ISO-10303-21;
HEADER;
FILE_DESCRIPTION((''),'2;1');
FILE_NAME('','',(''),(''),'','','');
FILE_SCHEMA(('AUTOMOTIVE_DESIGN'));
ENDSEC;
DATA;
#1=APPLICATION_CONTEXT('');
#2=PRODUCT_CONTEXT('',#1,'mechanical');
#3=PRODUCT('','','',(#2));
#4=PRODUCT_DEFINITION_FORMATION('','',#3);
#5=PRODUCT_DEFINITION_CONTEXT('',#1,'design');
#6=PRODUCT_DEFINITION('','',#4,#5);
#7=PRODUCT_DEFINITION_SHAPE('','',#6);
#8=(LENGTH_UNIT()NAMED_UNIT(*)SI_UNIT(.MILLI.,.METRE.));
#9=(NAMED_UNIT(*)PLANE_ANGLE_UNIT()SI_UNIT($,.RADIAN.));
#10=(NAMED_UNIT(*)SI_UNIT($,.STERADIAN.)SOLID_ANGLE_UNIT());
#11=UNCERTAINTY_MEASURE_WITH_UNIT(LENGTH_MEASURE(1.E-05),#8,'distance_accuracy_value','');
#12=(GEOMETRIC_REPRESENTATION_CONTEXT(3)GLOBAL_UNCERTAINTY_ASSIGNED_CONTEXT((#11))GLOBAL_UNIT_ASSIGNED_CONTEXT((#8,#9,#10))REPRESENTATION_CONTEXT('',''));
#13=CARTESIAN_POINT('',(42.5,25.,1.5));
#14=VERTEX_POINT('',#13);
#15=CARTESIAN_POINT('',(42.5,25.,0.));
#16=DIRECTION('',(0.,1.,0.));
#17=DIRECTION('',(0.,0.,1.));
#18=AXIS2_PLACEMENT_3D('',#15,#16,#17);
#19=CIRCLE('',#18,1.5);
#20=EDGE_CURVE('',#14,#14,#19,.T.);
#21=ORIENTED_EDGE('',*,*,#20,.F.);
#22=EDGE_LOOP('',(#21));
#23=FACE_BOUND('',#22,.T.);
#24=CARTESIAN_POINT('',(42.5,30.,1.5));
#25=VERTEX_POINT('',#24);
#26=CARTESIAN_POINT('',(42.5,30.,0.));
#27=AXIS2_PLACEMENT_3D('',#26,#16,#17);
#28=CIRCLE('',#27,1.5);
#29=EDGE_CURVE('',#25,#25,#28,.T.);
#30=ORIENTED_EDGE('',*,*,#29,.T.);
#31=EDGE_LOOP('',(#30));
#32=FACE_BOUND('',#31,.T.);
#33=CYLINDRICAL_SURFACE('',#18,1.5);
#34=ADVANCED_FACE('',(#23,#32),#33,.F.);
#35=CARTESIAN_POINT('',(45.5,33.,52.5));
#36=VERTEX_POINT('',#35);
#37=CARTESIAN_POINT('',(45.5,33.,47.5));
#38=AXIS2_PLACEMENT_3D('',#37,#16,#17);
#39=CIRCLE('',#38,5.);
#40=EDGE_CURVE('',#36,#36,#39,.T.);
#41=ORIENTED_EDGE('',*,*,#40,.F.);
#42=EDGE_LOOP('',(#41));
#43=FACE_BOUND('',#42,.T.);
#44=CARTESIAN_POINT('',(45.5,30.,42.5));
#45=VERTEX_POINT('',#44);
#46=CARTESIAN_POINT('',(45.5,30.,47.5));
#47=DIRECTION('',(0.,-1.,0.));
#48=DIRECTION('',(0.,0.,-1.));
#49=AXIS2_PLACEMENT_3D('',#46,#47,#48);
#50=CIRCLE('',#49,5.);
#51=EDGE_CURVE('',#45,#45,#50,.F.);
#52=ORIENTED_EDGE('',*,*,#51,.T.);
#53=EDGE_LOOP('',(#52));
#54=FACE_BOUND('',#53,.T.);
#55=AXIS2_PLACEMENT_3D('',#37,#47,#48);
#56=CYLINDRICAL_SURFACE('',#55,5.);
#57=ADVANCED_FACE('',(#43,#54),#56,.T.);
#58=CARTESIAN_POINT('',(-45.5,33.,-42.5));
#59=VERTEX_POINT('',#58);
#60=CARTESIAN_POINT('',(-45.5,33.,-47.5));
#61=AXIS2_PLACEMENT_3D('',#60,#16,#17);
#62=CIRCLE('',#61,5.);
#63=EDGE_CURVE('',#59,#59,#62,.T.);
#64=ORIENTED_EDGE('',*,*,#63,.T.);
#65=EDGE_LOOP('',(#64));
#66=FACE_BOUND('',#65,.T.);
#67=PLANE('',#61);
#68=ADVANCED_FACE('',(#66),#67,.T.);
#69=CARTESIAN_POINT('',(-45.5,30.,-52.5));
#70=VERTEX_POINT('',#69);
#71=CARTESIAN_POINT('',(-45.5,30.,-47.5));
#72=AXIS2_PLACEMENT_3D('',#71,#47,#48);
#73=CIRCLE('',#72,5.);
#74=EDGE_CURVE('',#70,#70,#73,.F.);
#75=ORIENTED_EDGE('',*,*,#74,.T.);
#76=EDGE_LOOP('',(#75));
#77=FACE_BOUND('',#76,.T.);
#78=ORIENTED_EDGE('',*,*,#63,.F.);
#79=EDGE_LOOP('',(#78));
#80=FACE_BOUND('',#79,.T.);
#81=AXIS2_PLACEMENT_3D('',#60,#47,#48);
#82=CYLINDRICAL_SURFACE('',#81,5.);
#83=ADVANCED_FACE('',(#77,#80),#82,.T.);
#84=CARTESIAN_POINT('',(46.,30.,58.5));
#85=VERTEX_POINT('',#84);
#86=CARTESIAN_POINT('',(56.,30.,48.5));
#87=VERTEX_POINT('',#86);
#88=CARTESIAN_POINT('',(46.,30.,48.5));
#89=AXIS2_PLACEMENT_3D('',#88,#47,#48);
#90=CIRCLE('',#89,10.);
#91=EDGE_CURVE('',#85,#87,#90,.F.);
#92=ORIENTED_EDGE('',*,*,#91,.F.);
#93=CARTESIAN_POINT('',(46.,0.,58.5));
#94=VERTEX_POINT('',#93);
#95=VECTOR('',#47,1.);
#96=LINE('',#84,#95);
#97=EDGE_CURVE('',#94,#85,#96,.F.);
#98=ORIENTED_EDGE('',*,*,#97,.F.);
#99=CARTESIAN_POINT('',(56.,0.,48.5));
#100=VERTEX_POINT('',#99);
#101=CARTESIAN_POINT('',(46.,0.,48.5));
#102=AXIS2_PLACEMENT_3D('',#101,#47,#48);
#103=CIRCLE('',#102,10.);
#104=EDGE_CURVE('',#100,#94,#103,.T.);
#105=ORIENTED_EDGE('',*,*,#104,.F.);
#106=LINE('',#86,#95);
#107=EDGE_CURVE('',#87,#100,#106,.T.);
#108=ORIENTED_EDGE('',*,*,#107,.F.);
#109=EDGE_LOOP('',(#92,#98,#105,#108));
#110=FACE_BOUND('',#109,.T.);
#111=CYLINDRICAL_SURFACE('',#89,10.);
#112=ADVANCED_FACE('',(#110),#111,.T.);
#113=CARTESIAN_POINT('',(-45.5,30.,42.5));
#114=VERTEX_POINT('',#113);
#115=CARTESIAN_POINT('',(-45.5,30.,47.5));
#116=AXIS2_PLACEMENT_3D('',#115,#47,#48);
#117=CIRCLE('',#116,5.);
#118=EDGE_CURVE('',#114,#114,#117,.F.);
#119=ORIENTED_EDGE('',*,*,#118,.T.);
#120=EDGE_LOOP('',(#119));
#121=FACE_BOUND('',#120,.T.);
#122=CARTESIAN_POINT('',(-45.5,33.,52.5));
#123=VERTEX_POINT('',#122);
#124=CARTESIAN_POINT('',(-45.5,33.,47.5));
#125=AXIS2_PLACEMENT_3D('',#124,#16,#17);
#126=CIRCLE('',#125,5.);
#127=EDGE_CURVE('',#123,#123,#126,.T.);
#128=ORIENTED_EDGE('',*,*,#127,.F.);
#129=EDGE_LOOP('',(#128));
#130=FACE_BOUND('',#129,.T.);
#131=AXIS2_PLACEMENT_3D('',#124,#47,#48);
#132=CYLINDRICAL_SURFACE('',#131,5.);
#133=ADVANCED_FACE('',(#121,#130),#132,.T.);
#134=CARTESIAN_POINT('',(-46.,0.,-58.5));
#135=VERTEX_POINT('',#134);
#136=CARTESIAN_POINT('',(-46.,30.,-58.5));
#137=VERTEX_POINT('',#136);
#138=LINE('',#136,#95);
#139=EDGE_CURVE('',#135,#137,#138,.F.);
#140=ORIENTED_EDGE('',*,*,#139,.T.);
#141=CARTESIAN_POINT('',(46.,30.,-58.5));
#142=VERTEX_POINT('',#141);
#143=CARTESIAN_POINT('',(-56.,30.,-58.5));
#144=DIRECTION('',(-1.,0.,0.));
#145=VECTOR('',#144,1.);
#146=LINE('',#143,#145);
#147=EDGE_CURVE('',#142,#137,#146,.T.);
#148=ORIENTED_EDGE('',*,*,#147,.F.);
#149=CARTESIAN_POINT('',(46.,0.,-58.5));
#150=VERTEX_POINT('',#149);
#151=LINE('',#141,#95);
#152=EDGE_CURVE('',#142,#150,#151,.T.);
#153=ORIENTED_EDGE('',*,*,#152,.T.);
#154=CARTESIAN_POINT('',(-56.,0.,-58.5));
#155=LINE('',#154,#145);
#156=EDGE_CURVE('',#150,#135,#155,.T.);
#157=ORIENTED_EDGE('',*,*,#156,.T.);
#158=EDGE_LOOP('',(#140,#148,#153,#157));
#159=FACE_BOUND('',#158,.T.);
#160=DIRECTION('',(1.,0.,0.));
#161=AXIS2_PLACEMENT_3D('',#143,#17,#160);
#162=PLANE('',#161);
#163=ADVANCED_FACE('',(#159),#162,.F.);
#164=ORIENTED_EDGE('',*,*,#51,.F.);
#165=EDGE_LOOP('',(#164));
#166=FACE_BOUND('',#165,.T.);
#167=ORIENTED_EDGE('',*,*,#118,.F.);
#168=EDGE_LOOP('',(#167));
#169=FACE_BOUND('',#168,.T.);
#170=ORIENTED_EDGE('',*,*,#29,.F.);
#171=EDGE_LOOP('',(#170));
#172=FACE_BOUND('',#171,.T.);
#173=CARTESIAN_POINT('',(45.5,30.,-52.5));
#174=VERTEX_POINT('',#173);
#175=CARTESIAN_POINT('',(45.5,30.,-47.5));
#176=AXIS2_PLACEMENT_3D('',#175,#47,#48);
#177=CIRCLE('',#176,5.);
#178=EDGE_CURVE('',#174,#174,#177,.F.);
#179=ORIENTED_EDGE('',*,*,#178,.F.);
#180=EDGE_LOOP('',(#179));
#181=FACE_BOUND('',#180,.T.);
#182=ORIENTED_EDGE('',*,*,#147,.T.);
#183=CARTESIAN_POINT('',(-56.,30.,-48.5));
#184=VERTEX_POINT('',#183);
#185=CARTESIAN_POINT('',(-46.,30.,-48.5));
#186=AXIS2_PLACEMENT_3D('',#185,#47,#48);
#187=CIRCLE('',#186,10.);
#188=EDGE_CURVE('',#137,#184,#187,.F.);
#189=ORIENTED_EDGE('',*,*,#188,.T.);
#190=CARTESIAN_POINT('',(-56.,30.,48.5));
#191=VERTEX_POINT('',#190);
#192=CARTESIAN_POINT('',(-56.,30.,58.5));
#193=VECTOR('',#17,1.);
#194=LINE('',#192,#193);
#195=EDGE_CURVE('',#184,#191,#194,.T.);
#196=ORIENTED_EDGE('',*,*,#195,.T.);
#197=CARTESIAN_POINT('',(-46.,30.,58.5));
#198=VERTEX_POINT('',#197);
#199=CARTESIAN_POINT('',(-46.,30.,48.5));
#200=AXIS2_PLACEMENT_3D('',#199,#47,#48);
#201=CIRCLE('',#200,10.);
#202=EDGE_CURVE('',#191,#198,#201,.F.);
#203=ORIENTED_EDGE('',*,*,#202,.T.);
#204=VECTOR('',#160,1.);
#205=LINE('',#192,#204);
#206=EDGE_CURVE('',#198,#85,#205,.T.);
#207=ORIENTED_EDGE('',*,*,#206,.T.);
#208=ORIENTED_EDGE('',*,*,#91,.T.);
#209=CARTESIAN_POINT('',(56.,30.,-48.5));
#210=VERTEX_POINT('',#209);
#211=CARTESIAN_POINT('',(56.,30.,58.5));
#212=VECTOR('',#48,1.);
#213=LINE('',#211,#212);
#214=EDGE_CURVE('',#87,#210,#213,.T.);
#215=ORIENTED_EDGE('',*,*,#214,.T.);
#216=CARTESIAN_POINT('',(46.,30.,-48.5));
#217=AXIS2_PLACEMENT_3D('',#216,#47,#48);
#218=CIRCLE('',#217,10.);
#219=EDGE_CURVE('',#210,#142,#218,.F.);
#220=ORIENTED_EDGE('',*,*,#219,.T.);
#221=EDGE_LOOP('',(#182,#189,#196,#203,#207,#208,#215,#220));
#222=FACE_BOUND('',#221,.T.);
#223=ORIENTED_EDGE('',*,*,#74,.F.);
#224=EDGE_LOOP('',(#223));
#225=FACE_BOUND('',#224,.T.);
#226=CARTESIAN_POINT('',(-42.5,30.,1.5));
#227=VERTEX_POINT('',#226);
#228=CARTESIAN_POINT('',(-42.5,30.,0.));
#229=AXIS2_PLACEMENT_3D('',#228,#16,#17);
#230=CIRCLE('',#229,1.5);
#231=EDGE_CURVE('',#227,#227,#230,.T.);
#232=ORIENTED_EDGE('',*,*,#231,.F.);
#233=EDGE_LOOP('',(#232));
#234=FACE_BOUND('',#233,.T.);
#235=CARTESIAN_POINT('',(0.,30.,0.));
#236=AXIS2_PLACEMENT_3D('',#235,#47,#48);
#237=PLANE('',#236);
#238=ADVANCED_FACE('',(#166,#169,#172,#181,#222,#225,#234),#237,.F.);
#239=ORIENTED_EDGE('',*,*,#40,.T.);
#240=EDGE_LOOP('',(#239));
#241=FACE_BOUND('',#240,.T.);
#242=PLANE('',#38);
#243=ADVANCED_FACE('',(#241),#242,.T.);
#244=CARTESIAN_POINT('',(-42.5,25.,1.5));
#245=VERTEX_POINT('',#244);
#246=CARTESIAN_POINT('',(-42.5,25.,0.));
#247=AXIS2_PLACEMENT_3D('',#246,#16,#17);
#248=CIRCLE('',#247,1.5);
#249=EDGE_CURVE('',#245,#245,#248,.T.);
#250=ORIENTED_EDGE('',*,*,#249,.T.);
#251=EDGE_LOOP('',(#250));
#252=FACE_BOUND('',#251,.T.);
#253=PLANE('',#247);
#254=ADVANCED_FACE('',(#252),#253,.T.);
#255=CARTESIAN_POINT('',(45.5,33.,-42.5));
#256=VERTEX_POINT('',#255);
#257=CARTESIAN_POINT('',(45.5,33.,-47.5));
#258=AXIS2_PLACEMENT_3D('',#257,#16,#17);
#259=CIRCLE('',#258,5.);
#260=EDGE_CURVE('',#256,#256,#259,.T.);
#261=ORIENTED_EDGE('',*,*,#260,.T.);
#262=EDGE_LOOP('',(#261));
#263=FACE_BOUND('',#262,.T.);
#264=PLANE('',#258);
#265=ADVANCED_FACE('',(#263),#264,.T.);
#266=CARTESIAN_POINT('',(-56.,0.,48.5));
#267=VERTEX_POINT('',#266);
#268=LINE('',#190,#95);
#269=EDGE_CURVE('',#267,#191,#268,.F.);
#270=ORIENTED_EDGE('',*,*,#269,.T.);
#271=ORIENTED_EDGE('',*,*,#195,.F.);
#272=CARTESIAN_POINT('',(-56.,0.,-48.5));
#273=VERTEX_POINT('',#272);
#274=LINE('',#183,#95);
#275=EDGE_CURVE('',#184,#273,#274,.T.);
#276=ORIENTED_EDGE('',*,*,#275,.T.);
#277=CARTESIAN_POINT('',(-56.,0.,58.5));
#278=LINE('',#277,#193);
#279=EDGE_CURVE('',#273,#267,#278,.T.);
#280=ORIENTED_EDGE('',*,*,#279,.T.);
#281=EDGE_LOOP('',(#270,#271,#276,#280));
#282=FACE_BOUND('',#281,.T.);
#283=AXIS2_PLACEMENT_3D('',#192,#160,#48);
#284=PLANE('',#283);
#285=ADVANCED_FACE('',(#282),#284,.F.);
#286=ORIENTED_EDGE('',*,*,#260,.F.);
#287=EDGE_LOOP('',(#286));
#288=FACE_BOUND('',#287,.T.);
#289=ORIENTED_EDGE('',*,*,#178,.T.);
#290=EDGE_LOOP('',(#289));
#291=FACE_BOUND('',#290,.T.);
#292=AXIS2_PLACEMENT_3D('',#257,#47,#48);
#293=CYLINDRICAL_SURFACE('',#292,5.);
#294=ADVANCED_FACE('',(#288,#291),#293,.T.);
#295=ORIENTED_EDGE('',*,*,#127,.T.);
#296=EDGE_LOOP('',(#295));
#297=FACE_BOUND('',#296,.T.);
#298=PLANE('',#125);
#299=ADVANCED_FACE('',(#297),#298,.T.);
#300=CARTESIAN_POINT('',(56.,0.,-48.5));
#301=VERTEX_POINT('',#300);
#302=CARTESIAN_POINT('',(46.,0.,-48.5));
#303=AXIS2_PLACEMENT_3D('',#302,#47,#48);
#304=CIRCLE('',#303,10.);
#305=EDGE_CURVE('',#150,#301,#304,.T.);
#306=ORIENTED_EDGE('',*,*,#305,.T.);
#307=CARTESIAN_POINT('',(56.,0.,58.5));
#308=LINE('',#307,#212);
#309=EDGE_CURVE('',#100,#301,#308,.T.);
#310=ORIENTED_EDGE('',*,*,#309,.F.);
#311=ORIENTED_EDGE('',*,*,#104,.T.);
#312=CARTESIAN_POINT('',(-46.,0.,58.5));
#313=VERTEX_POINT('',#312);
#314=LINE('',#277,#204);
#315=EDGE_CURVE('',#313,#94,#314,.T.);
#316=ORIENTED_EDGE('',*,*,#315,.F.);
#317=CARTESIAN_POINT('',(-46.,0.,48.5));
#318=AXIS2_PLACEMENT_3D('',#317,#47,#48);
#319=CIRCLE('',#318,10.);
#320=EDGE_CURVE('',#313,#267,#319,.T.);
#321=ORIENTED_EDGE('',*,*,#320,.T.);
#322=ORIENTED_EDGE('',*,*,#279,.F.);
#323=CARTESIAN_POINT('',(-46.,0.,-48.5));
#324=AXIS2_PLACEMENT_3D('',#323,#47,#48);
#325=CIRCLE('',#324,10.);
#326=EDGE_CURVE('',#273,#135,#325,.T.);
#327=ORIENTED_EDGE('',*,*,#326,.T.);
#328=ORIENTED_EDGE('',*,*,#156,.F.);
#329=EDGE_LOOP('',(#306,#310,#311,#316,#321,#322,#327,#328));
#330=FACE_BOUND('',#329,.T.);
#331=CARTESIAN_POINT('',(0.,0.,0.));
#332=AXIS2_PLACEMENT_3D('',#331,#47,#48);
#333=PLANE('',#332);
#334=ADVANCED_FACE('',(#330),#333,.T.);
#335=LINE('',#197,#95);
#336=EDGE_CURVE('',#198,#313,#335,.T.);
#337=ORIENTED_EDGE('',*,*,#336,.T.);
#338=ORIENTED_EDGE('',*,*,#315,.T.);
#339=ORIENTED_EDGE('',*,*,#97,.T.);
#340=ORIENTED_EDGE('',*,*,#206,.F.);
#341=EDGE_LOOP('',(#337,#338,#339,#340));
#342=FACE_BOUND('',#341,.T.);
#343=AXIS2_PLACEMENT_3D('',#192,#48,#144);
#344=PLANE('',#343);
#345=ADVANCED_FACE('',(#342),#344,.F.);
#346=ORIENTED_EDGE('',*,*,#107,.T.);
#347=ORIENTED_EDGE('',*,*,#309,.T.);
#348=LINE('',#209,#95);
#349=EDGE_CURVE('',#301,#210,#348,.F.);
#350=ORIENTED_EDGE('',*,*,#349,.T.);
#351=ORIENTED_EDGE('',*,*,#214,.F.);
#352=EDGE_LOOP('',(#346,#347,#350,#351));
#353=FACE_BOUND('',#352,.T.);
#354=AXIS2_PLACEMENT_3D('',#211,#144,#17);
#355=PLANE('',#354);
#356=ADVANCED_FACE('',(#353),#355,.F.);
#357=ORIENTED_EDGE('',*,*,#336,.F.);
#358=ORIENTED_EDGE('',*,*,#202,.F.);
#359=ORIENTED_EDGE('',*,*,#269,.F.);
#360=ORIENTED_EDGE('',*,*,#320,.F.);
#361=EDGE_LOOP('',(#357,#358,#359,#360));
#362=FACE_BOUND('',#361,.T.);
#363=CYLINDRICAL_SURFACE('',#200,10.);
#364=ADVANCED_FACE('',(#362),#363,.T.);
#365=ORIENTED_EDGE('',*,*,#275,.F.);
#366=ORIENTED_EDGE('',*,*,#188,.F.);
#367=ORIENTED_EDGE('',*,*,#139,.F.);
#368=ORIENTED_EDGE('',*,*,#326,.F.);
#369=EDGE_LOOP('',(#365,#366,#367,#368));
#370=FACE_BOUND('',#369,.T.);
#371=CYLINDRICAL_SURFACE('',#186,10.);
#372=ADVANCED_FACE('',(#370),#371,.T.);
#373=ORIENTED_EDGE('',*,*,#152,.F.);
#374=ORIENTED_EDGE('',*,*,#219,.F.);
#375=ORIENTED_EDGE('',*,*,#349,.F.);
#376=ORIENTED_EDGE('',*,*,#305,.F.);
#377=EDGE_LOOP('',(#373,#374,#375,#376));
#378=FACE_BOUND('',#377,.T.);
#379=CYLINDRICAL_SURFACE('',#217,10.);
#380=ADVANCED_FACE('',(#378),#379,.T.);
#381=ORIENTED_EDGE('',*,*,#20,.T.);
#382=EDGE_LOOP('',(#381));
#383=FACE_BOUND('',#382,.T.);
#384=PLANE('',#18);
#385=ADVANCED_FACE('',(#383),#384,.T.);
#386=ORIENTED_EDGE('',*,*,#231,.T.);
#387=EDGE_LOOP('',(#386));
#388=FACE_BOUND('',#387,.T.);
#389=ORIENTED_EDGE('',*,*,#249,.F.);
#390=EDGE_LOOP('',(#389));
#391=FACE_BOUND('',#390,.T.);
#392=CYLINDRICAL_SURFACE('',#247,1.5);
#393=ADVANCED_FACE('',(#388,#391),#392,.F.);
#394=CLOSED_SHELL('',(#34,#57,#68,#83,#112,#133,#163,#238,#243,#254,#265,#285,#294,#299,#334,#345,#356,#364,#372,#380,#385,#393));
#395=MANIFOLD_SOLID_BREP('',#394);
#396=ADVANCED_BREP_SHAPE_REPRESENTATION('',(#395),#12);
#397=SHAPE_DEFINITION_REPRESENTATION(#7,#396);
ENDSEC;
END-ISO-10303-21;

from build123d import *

# Parameters (mm, degrees)
SKETCH_1_W          = 112
SKETCH_1_H          = 117
EXTRUDE_1_DEPTH     = 30
FILLET_1_R          = 10
SKETCH_2_R          = 5
EXTRUDE_2_DEPTH     = 3
SKETCH_3_R          = 1.5
CUT_EXTRUDE_1_DEPTH = 5


with BuildPart() as part:
    # 草图1 → 凸台-拉伸1 (new body)
    with BuildSketch(Plane(origin=(0, 0, 0), x_dir=(1, 0, 0), z_dir=(0, 1, 0))):
        Rectangle(SKETCH_1_W, SKETCH_1_H)
    extrude(amount=EXTRUDE_1_DEPTH)

    # 圆角1
    fillet_1_edges = [part.edges().sort_by_distance(p)[0] for p in [
        (56, 15, 58.5),
        (-56, 15, 58.5),
        (-56, 15, -58.5),
        (56, 15, -58.5),
    ]]
    fillet(fillet_1_edges, radius=FILLET_1_R)

    # 草图2 → 凸台-拉伸2 (add)
    with BuildSketch(Plane(origin=(0, 30, 0), x_dir=(1, 0, 0), z_dir=(0, 1, 0))):
        with Locations(Location((-45.5, 47.5, 0), (0, 0, 90))):
            Circle(SKETCH_2_R)
        with Locations(Location((45.5, 47.5, 0), (0, 0, 90))):
            Circle(SKETCH_2_R)
        with Locations(Location((-45.5, -47.5, 0), (0, 0, 90))):
            Circle(SKETCH_2_R)
        with Locations(Location((45.5, -47.5, 0), (0, 0, 90))):
            Circle(SKETCH_2_R)
    extrude(amount=EXTRUDE_2_DEPTH)

    # 草图3 → 切除-拉伸1 (cut)
    with BuildSketch(Plane(origin=(0, 30, 0), x_dir=(1, 0, 0), z_dir=(0, 1, 0))):
        with Locations(Location((-42.5, 0, 0), (0, 0, 270))):
            Circle(SKETCH_3_R)
        with Locations(Location((42.5, 0, 0), (0, 0, 270))):
            Circle(SKETCH_3_R)
    extrude(amount=-CUT_EXTRUDE_1_DEPTH, mode=Mode.SUBTRACT)


solid = part.part
